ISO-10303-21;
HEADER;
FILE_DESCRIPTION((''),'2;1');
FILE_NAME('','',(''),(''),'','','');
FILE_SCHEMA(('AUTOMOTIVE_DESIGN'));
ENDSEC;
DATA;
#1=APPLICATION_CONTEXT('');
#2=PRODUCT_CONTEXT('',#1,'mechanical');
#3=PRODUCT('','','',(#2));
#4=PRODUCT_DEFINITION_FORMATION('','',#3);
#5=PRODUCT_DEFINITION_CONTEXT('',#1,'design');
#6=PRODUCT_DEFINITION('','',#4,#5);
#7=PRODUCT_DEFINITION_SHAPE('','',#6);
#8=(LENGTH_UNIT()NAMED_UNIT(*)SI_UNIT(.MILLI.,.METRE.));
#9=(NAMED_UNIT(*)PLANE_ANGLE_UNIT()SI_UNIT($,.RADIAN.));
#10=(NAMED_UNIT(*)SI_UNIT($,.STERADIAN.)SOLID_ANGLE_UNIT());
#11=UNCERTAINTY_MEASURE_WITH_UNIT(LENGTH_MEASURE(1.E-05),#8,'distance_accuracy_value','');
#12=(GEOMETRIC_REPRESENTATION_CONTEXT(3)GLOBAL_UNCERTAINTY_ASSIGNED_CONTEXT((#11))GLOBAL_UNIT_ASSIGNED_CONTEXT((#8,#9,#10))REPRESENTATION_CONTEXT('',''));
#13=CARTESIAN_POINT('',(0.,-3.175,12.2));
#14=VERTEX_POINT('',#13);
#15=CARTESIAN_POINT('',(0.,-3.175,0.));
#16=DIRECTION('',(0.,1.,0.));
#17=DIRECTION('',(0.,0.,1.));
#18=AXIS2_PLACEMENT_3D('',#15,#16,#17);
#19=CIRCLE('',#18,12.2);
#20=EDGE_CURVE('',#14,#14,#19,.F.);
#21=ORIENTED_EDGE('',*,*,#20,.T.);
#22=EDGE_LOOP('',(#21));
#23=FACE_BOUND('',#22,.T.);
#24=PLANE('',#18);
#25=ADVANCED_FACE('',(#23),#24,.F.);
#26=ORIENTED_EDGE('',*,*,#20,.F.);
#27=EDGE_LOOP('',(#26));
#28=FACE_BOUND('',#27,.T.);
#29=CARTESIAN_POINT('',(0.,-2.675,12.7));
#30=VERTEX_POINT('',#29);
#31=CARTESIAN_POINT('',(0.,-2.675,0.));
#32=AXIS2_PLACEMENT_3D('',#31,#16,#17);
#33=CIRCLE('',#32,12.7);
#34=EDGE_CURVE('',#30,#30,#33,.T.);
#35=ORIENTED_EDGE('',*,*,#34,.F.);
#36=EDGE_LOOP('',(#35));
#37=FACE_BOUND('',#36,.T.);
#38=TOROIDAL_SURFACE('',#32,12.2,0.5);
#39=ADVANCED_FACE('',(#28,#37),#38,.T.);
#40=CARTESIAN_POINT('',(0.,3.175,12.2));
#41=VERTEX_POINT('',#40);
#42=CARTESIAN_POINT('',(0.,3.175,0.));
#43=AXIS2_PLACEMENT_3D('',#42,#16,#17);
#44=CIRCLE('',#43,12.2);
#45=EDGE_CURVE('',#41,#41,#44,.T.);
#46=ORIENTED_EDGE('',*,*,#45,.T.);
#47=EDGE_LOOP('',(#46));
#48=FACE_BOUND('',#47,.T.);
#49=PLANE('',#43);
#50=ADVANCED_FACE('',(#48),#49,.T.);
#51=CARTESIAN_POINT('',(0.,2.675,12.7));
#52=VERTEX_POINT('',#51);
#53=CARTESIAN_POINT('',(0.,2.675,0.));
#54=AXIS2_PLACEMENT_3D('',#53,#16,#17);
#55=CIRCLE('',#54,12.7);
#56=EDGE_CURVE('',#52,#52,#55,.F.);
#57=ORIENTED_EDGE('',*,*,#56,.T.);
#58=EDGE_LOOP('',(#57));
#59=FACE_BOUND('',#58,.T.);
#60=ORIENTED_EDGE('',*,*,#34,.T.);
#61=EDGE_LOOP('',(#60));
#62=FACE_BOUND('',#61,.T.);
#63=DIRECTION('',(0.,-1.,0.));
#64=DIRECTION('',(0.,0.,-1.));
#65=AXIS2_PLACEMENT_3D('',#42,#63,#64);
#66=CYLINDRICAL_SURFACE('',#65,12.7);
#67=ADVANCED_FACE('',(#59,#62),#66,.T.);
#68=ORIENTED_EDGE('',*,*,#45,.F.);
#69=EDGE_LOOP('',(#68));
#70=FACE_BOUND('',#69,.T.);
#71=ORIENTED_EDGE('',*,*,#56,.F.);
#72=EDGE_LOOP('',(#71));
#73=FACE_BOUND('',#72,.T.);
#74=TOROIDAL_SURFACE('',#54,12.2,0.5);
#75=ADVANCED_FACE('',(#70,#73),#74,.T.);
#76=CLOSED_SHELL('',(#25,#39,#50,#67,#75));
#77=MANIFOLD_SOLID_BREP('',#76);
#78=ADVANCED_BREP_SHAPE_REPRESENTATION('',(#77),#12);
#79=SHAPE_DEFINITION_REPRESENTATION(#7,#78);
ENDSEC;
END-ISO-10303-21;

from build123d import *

# Parameters (mm, degrees)
SKETCH1_R           = 12.7
BOSS_EXTRUDE1_DEPTH = 3.175
FILLET1_R           = 0.5


with BuildPart() as part:
    # Sketch1 → Boss-Extrude1 (new body, symmetric)
    with BuildSketch(Plane(origin=(0, 0, 0), x_dir=(1, 0, 0), z_dir=(0, 1, 0))):
        Circle(SKETCH1_R)
    extrude(amount=BOSS_EXTRUDE1_DEPTH, both=True)

    # Fillet1
    fillet1_edges = [part.edges().sort_by_distance(p)[0] for p in [
        (-12.7, -3.175, 0),
        (-12.7, 3.175, 0),
    ]]
    fillet(fillet1_edges, radius=FILLET1_R)


solid = part.part
